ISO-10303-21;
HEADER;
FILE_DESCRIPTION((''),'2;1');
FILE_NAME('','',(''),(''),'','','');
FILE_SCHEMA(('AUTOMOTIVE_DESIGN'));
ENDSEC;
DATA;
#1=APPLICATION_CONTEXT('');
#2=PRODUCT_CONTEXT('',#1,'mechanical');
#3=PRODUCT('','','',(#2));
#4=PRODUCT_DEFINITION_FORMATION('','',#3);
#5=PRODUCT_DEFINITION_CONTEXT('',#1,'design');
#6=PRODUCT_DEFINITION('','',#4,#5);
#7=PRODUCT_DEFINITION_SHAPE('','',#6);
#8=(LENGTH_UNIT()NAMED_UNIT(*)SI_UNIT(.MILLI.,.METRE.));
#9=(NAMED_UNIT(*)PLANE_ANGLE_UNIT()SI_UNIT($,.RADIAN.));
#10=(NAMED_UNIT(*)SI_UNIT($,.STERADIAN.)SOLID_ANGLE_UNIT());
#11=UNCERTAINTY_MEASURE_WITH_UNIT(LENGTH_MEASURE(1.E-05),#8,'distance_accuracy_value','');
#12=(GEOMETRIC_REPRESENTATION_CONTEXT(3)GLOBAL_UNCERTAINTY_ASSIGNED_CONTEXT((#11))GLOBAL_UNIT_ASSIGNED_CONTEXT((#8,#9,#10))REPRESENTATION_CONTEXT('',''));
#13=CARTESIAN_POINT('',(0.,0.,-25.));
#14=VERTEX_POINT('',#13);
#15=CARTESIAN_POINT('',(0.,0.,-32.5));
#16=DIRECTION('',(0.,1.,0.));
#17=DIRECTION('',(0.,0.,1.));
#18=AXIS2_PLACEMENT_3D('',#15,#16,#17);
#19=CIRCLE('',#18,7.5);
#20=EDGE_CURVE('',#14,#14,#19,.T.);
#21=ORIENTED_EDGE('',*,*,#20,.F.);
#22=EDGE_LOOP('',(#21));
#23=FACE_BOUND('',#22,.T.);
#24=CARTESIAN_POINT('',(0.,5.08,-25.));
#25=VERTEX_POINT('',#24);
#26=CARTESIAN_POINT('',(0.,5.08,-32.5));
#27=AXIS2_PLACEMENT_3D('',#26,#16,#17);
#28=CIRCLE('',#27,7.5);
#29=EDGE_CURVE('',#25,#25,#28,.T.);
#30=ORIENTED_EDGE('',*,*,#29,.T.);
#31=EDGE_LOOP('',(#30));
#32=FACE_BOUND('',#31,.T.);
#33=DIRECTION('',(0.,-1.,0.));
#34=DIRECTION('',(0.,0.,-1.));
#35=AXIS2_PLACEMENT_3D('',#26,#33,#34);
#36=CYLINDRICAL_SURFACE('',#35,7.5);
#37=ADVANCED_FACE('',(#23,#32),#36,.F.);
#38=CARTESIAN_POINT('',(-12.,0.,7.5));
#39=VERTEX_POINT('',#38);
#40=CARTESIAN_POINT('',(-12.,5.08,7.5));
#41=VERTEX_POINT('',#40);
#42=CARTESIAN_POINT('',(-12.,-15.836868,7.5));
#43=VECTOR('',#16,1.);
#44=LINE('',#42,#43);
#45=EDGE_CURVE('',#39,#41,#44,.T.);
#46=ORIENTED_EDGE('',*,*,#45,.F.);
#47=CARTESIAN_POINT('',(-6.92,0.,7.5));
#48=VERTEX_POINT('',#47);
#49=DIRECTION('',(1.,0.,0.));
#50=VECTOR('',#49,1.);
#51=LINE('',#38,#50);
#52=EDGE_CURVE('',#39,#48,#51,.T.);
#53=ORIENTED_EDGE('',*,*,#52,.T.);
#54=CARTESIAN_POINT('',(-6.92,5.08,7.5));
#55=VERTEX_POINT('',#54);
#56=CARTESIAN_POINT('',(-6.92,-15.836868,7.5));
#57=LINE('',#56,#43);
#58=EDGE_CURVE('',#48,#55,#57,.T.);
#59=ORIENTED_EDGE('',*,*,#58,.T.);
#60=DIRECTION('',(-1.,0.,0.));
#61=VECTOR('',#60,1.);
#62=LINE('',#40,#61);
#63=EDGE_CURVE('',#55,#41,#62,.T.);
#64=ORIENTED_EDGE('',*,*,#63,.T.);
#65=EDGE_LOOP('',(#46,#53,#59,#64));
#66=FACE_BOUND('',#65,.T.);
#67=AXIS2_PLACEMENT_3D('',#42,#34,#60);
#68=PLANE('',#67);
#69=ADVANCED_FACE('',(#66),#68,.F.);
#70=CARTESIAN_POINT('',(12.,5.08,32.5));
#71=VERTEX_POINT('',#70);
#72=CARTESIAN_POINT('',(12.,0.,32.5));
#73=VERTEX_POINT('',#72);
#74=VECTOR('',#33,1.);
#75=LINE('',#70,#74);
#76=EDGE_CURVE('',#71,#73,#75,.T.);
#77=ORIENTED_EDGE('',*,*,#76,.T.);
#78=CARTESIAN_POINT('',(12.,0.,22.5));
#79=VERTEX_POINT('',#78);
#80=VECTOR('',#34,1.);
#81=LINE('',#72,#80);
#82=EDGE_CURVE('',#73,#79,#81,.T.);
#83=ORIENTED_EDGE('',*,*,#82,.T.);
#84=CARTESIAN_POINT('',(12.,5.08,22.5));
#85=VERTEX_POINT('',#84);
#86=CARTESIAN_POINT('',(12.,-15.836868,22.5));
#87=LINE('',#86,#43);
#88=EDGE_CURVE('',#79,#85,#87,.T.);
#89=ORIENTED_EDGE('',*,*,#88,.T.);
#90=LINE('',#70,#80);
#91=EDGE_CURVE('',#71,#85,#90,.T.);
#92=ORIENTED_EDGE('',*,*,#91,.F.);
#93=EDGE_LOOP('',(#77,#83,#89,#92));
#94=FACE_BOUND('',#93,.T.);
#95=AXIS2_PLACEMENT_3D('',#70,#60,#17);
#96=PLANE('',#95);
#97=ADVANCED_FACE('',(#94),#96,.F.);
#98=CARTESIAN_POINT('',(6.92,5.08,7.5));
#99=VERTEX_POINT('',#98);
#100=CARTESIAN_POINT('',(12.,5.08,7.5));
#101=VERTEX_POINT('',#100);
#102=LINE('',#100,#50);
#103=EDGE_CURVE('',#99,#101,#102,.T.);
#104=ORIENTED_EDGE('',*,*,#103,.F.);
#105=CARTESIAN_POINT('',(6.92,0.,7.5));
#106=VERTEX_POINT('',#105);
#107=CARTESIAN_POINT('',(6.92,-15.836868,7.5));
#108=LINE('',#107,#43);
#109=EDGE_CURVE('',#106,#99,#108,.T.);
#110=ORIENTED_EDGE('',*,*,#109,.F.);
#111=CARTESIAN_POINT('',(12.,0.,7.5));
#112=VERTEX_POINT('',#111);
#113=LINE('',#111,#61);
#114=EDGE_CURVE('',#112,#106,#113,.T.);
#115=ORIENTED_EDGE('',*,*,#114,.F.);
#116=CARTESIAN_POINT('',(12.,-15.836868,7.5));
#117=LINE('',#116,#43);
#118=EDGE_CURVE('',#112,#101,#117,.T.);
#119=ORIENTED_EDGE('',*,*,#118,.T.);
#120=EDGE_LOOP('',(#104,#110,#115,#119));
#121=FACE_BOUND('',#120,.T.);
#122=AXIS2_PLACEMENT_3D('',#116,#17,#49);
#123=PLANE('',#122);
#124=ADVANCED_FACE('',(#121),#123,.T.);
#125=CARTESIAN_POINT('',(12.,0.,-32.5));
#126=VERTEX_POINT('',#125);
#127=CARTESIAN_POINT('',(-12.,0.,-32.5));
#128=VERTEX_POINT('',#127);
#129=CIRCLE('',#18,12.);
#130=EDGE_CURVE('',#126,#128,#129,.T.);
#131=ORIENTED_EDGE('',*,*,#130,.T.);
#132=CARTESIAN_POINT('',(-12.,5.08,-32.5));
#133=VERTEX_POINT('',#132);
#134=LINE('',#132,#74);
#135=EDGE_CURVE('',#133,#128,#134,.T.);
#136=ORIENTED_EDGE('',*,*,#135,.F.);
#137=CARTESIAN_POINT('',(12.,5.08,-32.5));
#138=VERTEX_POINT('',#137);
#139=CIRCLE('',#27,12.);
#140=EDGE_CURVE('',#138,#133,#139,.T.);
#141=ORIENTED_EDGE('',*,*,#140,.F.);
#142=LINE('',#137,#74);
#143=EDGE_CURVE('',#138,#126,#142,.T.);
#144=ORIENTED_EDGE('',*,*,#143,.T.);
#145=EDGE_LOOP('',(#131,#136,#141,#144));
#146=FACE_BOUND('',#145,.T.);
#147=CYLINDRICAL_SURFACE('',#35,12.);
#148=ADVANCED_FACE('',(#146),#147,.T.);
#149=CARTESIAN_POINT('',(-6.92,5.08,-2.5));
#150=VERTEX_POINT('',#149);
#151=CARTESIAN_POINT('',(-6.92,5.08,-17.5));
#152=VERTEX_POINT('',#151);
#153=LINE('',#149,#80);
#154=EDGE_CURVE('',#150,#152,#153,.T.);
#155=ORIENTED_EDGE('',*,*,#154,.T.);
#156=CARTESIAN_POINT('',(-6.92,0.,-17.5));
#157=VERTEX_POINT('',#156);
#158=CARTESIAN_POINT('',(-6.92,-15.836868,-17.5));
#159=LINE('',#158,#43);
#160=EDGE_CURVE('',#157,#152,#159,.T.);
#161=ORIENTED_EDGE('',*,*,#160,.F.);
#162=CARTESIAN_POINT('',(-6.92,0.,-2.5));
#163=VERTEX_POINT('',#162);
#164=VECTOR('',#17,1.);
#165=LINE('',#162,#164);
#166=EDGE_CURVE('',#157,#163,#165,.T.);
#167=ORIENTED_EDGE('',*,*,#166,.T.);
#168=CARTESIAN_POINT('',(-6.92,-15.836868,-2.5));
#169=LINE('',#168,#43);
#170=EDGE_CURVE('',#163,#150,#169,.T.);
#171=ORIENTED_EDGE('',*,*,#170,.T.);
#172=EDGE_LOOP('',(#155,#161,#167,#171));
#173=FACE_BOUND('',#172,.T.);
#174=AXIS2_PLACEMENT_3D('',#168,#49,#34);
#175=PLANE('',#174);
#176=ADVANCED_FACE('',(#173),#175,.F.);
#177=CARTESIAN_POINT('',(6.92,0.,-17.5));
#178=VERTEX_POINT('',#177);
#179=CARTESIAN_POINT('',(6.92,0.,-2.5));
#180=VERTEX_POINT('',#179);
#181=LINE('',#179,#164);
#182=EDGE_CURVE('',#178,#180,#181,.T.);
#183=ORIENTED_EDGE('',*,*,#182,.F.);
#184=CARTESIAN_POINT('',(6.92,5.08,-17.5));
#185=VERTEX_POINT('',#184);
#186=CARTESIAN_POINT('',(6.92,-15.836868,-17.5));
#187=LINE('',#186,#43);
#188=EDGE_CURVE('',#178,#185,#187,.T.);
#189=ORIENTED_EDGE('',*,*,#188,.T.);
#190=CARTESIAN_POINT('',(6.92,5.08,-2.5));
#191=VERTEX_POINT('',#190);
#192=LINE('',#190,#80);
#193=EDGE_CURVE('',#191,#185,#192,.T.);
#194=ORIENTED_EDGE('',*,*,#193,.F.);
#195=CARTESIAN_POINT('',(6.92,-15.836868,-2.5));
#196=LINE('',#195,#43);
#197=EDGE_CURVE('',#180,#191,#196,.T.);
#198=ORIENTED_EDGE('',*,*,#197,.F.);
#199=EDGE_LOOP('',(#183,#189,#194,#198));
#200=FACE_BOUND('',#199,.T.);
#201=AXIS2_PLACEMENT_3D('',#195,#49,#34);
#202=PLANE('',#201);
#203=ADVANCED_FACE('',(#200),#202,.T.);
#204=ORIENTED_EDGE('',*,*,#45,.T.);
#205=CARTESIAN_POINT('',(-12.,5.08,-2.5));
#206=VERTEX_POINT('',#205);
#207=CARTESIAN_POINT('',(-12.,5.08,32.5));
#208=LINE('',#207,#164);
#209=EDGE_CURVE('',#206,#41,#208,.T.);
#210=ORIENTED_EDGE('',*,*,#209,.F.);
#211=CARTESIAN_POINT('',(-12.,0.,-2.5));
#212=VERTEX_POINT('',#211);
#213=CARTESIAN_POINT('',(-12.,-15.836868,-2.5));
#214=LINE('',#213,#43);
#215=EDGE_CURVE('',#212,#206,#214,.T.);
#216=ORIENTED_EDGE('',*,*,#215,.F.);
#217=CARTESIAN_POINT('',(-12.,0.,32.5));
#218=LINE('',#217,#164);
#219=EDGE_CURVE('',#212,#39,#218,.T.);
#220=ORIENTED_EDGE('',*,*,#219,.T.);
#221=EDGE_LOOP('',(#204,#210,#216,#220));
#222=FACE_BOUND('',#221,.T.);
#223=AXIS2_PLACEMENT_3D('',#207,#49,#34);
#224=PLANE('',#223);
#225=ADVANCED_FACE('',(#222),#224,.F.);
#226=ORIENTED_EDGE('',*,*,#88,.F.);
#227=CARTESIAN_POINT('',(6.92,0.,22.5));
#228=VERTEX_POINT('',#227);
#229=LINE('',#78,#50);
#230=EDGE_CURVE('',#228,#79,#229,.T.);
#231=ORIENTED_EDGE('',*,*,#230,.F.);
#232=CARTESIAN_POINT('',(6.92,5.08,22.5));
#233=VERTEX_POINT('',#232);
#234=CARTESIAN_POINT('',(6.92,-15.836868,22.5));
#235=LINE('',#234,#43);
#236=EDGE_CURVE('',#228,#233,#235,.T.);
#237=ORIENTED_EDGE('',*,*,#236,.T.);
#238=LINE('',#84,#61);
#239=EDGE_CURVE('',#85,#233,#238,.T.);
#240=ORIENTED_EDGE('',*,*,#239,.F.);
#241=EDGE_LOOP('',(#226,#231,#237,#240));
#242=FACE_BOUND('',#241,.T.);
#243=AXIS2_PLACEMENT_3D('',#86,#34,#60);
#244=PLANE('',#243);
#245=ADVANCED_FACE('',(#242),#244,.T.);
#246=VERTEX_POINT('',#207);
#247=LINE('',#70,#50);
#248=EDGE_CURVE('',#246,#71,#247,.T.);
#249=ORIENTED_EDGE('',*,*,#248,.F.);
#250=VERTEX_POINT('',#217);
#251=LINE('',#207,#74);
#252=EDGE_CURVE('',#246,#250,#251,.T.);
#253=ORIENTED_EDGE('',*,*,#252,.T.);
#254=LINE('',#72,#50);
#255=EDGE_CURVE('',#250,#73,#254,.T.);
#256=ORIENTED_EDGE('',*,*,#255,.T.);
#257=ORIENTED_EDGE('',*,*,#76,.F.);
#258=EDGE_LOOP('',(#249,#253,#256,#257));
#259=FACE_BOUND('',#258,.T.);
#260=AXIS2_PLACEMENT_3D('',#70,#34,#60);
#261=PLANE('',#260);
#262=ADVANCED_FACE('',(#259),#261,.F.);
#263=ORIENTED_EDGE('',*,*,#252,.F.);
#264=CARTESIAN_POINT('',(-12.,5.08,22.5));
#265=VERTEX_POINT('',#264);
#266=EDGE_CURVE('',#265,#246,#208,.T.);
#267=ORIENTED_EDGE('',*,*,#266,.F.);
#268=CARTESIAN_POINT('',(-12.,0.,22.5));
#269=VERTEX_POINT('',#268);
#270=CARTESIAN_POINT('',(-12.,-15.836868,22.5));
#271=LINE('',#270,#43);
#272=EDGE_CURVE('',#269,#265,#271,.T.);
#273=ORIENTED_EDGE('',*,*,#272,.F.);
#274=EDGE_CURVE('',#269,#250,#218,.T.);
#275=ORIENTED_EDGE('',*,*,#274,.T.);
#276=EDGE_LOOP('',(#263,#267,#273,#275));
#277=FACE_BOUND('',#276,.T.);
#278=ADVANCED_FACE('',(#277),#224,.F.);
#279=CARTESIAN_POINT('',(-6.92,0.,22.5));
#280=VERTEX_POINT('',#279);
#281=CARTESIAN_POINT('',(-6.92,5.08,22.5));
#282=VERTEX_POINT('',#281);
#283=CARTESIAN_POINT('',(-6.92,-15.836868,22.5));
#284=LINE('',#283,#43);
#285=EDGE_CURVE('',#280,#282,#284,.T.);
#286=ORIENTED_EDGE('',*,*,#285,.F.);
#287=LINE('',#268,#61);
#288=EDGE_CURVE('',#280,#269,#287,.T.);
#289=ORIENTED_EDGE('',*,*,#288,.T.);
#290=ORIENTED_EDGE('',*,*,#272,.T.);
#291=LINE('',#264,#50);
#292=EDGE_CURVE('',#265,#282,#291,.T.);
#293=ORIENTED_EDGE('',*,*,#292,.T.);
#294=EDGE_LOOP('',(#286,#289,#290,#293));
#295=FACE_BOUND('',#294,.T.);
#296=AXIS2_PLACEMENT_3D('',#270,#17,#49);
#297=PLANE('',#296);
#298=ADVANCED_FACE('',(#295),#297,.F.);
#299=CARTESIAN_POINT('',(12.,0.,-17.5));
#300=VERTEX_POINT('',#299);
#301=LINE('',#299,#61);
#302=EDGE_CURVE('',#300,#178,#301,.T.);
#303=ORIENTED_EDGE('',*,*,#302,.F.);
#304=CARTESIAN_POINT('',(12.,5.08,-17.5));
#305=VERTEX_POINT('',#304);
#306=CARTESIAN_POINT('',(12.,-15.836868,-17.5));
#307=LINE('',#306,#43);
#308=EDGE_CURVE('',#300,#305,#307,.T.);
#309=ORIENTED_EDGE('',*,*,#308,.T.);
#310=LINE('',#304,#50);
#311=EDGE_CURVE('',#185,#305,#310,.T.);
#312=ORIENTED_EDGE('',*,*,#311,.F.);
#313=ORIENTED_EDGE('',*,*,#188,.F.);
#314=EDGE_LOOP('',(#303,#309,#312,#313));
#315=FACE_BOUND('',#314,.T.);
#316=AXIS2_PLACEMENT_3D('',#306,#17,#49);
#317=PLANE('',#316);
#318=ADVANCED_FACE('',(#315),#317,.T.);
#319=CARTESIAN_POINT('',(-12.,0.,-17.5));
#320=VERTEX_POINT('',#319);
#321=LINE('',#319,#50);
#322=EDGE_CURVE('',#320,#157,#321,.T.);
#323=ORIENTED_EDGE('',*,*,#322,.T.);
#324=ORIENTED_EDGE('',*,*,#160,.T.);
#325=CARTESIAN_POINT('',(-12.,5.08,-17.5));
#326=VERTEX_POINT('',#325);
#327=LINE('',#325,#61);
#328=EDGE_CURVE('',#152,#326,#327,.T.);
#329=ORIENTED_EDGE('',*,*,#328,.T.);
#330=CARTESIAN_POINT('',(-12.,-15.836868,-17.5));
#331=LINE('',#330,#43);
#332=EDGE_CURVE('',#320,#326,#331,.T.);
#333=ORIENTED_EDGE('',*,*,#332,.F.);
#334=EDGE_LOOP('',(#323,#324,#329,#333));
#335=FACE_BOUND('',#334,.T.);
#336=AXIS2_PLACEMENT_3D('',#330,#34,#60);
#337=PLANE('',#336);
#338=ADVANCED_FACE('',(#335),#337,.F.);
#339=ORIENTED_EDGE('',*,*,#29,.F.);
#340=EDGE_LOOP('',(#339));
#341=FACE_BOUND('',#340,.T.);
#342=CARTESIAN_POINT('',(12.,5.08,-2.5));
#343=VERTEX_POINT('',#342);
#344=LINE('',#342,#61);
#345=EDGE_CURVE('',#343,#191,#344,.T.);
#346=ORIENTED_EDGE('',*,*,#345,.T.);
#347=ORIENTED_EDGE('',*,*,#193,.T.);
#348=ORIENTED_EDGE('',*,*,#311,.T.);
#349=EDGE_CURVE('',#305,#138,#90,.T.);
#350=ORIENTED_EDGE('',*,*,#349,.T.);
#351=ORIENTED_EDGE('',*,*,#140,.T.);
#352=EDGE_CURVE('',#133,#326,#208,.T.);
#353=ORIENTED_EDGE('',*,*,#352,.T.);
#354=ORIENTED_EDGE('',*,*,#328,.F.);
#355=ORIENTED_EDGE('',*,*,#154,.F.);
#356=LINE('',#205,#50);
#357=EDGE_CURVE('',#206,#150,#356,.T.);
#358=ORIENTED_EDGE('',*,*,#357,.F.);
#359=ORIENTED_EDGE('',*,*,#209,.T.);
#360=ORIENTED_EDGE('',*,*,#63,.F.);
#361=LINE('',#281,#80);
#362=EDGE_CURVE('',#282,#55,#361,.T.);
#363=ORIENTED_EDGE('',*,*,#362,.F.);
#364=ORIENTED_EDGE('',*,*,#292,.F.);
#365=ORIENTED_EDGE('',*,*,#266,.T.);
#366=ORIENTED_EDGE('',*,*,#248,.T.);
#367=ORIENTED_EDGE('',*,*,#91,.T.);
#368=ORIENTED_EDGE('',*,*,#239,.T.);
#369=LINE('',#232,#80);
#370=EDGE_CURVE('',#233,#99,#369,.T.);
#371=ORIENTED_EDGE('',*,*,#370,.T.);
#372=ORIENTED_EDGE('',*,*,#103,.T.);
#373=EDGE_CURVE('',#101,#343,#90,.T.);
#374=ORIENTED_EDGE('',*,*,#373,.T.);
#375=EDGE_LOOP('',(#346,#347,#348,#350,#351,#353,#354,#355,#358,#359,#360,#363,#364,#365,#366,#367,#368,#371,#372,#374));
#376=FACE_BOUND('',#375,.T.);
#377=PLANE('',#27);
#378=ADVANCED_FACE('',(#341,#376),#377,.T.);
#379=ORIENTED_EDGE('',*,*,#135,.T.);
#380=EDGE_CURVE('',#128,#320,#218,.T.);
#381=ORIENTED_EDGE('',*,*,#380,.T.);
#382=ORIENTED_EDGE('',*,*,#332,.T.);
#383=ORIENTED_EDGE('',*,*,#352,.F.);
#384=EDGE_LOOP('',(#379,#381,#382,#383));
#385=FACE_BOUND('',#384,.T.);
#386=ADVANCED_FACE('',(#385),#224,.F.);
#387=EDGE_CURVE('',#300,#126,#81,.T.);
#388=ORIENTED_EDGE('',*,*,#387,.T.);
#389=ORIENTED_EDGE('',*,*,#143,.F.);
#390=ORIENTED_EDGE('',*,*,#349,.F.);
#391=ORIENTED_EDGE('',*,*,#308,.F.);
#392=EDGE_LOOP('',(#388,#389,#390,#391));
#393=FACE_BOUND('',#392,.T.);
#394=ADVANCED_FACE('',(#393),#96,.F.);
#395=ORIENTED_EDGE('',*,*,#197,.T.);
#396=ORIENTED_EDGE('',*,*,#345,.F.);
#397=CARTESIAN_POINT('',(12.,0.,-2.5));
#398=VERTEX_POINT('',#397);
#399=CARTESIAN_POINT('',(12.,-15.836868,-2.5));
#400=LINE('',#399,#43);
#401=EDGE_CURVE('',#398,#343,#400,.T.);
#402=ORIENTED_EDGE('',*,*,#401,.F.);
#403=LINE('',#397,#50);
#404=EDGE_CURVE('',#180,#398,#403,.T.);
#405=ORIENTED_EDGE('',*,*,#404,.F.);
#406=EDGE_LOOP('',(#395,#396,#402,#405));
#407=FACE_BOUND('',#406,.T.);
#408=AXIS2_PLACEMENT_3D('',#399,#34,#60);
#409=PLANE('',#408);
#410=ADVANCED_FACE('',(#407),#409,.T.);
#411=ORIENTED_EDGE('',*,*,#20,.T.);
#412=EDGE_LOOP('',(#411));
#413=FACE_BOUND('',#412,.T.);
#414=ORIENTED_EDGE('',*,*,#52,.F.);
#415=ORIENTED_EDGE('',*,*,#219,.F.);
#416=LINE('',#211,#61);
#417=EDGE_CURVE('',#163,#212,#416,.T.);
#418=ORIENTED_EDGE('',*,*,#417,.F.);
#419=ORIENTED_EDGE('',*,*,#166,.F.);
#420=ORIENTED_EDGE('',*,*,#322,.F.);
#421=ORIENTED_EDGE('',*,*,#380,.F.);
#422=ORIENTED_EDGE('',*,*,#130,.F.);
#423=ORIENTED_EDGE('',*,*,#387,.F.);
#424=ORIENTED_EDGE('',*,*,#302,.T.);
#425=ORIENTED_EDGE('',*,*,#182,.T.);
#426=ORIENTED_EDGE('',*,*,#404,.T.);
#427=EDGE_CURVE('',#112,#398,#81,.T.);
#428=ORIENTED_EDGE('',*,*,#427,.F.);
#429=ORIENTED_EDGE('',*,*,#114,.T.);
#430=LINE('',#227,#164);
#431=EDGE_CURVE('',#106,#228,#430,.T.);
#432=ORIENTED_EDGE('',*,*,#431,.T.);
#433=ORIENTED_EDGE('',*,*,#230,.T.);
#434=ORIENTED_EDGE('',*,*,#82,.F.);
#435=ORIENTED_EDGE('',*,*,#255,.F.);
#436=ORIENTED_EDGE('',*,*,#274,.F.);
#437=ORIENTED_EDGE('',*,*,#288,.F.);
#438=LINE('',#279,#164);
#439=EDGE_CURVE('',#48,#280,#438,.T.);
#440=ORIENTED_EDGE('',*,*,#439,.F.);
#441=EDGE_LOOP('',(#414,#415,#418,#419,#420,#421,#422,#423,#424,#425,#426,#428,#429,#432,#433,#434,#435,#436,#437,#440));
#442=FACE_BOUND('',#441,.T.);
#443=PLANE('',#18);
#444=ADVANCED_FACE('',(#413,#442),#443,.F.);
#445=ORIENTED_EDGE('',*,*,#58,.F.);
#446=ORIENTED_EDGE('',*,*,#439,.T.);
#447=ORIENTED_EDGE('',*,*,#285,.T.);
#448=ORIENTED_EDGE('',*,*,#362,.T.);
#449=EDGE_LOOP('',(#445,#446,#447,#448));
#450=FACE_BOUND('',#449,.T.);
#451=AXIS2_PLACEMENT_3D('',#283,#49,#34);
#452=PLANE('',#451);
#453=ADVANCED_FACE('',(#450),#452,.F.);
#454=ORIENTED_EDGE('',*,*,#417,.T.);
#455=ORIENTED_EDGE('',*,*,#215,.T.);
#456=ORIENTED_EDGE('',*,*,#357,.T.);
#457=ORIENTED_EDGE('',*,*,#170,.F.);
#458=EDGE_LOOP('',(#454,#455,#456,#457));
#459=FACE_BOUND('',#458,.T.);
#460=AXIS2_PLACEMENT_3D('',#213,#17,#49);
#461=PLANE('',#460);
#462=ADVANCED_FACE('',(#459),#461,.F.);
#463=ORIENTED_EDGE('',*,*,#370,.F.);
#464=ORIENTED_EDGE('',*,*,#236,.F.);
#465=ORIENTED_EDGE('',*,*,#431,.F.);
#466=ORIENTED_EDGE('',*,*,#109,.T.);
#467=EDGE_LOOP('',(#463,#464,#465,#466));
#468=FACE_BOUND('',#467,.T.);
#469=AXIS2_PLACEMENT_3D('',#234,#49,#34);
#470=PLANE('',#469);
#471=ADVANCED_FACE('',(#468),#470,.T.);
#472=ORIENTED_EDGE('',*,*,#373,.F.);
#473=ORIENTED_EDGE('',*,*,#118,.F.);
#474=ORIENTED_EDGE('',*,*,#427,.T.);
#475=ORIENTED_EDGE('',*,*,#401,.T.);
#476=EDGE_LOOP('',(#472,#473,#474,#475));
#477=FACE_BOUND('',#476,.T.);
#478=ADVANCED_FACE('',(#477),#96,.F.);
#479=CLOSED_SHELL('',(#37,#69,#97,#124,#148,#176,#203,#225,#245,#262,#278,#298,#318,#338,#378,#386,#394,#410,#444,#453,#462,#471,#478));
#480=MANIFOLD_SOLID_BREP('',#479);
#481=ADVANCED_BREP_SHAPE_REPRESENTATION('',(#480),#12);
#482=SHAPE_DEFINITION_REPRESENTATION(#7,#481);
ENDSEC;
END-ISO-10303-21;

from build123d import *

# Parameters (mm, degrees)
SKETCH1_R           = 7.5
BOSS_EXTRUDE1_DEPTH = 5.08
SKETCH2_W           = 5.08
SKETCH2_H           = 15
CUT_EXTRUDE1_DEPTH  = 5.08


with BuildPart() as part:
    # Sketch1 → Boss-Extrude1 (new body)
    with BuildSketch(Plane(origin=(0, 0, 0), x_dir=(1, 0, 0), z_dir=(0, 1, 0))):
        with BuildLine():
            Line((12, -32.5), (-12, -32.5))
            Line((-12, -32.5), (-12, 32.5))
            ThreePointArc((-12, 32.5), (0, 44.5), (12, 32.5))
            Line((12, 32.5), (12, -32.5))
        make_face()
        with Locations((0, 32.5)):
            Circle(SKETCH1_R, mode=Mode.SUBTRACT)
    extrude(amount=BOSS_EXTRUDE1_DEPTH)

    # Sketch2 → Cut-Extrude1 (cut)
    with BuildSketch(Plane(origin=(0, 5.08, 0), x_dir=(1, 0, 0), z_dir=(0, 1, 0))):
        with Locations((-9.46, -15)):
            Rectangle(SKETCH2_W, SKETCH2_H)
        with Locations((-9.46, 10)):
            Rectangle(SKETCH2_W, SKETCH2_H)
    cut_extrude1 = extrude(amount=-CUT_EXTRUDE1_DEPTH, mode=Mode.SUBTRACT)

    # Mirror2: Cut-Extrude1 across plane
    add(cut_extrude1.mirror(Plane(origin=(0, 0, 0), x_dir=(0, 0, 1), z_dir=(1, 0, 0))), mode=Mode.SUBTRACT)


solid = part.part
